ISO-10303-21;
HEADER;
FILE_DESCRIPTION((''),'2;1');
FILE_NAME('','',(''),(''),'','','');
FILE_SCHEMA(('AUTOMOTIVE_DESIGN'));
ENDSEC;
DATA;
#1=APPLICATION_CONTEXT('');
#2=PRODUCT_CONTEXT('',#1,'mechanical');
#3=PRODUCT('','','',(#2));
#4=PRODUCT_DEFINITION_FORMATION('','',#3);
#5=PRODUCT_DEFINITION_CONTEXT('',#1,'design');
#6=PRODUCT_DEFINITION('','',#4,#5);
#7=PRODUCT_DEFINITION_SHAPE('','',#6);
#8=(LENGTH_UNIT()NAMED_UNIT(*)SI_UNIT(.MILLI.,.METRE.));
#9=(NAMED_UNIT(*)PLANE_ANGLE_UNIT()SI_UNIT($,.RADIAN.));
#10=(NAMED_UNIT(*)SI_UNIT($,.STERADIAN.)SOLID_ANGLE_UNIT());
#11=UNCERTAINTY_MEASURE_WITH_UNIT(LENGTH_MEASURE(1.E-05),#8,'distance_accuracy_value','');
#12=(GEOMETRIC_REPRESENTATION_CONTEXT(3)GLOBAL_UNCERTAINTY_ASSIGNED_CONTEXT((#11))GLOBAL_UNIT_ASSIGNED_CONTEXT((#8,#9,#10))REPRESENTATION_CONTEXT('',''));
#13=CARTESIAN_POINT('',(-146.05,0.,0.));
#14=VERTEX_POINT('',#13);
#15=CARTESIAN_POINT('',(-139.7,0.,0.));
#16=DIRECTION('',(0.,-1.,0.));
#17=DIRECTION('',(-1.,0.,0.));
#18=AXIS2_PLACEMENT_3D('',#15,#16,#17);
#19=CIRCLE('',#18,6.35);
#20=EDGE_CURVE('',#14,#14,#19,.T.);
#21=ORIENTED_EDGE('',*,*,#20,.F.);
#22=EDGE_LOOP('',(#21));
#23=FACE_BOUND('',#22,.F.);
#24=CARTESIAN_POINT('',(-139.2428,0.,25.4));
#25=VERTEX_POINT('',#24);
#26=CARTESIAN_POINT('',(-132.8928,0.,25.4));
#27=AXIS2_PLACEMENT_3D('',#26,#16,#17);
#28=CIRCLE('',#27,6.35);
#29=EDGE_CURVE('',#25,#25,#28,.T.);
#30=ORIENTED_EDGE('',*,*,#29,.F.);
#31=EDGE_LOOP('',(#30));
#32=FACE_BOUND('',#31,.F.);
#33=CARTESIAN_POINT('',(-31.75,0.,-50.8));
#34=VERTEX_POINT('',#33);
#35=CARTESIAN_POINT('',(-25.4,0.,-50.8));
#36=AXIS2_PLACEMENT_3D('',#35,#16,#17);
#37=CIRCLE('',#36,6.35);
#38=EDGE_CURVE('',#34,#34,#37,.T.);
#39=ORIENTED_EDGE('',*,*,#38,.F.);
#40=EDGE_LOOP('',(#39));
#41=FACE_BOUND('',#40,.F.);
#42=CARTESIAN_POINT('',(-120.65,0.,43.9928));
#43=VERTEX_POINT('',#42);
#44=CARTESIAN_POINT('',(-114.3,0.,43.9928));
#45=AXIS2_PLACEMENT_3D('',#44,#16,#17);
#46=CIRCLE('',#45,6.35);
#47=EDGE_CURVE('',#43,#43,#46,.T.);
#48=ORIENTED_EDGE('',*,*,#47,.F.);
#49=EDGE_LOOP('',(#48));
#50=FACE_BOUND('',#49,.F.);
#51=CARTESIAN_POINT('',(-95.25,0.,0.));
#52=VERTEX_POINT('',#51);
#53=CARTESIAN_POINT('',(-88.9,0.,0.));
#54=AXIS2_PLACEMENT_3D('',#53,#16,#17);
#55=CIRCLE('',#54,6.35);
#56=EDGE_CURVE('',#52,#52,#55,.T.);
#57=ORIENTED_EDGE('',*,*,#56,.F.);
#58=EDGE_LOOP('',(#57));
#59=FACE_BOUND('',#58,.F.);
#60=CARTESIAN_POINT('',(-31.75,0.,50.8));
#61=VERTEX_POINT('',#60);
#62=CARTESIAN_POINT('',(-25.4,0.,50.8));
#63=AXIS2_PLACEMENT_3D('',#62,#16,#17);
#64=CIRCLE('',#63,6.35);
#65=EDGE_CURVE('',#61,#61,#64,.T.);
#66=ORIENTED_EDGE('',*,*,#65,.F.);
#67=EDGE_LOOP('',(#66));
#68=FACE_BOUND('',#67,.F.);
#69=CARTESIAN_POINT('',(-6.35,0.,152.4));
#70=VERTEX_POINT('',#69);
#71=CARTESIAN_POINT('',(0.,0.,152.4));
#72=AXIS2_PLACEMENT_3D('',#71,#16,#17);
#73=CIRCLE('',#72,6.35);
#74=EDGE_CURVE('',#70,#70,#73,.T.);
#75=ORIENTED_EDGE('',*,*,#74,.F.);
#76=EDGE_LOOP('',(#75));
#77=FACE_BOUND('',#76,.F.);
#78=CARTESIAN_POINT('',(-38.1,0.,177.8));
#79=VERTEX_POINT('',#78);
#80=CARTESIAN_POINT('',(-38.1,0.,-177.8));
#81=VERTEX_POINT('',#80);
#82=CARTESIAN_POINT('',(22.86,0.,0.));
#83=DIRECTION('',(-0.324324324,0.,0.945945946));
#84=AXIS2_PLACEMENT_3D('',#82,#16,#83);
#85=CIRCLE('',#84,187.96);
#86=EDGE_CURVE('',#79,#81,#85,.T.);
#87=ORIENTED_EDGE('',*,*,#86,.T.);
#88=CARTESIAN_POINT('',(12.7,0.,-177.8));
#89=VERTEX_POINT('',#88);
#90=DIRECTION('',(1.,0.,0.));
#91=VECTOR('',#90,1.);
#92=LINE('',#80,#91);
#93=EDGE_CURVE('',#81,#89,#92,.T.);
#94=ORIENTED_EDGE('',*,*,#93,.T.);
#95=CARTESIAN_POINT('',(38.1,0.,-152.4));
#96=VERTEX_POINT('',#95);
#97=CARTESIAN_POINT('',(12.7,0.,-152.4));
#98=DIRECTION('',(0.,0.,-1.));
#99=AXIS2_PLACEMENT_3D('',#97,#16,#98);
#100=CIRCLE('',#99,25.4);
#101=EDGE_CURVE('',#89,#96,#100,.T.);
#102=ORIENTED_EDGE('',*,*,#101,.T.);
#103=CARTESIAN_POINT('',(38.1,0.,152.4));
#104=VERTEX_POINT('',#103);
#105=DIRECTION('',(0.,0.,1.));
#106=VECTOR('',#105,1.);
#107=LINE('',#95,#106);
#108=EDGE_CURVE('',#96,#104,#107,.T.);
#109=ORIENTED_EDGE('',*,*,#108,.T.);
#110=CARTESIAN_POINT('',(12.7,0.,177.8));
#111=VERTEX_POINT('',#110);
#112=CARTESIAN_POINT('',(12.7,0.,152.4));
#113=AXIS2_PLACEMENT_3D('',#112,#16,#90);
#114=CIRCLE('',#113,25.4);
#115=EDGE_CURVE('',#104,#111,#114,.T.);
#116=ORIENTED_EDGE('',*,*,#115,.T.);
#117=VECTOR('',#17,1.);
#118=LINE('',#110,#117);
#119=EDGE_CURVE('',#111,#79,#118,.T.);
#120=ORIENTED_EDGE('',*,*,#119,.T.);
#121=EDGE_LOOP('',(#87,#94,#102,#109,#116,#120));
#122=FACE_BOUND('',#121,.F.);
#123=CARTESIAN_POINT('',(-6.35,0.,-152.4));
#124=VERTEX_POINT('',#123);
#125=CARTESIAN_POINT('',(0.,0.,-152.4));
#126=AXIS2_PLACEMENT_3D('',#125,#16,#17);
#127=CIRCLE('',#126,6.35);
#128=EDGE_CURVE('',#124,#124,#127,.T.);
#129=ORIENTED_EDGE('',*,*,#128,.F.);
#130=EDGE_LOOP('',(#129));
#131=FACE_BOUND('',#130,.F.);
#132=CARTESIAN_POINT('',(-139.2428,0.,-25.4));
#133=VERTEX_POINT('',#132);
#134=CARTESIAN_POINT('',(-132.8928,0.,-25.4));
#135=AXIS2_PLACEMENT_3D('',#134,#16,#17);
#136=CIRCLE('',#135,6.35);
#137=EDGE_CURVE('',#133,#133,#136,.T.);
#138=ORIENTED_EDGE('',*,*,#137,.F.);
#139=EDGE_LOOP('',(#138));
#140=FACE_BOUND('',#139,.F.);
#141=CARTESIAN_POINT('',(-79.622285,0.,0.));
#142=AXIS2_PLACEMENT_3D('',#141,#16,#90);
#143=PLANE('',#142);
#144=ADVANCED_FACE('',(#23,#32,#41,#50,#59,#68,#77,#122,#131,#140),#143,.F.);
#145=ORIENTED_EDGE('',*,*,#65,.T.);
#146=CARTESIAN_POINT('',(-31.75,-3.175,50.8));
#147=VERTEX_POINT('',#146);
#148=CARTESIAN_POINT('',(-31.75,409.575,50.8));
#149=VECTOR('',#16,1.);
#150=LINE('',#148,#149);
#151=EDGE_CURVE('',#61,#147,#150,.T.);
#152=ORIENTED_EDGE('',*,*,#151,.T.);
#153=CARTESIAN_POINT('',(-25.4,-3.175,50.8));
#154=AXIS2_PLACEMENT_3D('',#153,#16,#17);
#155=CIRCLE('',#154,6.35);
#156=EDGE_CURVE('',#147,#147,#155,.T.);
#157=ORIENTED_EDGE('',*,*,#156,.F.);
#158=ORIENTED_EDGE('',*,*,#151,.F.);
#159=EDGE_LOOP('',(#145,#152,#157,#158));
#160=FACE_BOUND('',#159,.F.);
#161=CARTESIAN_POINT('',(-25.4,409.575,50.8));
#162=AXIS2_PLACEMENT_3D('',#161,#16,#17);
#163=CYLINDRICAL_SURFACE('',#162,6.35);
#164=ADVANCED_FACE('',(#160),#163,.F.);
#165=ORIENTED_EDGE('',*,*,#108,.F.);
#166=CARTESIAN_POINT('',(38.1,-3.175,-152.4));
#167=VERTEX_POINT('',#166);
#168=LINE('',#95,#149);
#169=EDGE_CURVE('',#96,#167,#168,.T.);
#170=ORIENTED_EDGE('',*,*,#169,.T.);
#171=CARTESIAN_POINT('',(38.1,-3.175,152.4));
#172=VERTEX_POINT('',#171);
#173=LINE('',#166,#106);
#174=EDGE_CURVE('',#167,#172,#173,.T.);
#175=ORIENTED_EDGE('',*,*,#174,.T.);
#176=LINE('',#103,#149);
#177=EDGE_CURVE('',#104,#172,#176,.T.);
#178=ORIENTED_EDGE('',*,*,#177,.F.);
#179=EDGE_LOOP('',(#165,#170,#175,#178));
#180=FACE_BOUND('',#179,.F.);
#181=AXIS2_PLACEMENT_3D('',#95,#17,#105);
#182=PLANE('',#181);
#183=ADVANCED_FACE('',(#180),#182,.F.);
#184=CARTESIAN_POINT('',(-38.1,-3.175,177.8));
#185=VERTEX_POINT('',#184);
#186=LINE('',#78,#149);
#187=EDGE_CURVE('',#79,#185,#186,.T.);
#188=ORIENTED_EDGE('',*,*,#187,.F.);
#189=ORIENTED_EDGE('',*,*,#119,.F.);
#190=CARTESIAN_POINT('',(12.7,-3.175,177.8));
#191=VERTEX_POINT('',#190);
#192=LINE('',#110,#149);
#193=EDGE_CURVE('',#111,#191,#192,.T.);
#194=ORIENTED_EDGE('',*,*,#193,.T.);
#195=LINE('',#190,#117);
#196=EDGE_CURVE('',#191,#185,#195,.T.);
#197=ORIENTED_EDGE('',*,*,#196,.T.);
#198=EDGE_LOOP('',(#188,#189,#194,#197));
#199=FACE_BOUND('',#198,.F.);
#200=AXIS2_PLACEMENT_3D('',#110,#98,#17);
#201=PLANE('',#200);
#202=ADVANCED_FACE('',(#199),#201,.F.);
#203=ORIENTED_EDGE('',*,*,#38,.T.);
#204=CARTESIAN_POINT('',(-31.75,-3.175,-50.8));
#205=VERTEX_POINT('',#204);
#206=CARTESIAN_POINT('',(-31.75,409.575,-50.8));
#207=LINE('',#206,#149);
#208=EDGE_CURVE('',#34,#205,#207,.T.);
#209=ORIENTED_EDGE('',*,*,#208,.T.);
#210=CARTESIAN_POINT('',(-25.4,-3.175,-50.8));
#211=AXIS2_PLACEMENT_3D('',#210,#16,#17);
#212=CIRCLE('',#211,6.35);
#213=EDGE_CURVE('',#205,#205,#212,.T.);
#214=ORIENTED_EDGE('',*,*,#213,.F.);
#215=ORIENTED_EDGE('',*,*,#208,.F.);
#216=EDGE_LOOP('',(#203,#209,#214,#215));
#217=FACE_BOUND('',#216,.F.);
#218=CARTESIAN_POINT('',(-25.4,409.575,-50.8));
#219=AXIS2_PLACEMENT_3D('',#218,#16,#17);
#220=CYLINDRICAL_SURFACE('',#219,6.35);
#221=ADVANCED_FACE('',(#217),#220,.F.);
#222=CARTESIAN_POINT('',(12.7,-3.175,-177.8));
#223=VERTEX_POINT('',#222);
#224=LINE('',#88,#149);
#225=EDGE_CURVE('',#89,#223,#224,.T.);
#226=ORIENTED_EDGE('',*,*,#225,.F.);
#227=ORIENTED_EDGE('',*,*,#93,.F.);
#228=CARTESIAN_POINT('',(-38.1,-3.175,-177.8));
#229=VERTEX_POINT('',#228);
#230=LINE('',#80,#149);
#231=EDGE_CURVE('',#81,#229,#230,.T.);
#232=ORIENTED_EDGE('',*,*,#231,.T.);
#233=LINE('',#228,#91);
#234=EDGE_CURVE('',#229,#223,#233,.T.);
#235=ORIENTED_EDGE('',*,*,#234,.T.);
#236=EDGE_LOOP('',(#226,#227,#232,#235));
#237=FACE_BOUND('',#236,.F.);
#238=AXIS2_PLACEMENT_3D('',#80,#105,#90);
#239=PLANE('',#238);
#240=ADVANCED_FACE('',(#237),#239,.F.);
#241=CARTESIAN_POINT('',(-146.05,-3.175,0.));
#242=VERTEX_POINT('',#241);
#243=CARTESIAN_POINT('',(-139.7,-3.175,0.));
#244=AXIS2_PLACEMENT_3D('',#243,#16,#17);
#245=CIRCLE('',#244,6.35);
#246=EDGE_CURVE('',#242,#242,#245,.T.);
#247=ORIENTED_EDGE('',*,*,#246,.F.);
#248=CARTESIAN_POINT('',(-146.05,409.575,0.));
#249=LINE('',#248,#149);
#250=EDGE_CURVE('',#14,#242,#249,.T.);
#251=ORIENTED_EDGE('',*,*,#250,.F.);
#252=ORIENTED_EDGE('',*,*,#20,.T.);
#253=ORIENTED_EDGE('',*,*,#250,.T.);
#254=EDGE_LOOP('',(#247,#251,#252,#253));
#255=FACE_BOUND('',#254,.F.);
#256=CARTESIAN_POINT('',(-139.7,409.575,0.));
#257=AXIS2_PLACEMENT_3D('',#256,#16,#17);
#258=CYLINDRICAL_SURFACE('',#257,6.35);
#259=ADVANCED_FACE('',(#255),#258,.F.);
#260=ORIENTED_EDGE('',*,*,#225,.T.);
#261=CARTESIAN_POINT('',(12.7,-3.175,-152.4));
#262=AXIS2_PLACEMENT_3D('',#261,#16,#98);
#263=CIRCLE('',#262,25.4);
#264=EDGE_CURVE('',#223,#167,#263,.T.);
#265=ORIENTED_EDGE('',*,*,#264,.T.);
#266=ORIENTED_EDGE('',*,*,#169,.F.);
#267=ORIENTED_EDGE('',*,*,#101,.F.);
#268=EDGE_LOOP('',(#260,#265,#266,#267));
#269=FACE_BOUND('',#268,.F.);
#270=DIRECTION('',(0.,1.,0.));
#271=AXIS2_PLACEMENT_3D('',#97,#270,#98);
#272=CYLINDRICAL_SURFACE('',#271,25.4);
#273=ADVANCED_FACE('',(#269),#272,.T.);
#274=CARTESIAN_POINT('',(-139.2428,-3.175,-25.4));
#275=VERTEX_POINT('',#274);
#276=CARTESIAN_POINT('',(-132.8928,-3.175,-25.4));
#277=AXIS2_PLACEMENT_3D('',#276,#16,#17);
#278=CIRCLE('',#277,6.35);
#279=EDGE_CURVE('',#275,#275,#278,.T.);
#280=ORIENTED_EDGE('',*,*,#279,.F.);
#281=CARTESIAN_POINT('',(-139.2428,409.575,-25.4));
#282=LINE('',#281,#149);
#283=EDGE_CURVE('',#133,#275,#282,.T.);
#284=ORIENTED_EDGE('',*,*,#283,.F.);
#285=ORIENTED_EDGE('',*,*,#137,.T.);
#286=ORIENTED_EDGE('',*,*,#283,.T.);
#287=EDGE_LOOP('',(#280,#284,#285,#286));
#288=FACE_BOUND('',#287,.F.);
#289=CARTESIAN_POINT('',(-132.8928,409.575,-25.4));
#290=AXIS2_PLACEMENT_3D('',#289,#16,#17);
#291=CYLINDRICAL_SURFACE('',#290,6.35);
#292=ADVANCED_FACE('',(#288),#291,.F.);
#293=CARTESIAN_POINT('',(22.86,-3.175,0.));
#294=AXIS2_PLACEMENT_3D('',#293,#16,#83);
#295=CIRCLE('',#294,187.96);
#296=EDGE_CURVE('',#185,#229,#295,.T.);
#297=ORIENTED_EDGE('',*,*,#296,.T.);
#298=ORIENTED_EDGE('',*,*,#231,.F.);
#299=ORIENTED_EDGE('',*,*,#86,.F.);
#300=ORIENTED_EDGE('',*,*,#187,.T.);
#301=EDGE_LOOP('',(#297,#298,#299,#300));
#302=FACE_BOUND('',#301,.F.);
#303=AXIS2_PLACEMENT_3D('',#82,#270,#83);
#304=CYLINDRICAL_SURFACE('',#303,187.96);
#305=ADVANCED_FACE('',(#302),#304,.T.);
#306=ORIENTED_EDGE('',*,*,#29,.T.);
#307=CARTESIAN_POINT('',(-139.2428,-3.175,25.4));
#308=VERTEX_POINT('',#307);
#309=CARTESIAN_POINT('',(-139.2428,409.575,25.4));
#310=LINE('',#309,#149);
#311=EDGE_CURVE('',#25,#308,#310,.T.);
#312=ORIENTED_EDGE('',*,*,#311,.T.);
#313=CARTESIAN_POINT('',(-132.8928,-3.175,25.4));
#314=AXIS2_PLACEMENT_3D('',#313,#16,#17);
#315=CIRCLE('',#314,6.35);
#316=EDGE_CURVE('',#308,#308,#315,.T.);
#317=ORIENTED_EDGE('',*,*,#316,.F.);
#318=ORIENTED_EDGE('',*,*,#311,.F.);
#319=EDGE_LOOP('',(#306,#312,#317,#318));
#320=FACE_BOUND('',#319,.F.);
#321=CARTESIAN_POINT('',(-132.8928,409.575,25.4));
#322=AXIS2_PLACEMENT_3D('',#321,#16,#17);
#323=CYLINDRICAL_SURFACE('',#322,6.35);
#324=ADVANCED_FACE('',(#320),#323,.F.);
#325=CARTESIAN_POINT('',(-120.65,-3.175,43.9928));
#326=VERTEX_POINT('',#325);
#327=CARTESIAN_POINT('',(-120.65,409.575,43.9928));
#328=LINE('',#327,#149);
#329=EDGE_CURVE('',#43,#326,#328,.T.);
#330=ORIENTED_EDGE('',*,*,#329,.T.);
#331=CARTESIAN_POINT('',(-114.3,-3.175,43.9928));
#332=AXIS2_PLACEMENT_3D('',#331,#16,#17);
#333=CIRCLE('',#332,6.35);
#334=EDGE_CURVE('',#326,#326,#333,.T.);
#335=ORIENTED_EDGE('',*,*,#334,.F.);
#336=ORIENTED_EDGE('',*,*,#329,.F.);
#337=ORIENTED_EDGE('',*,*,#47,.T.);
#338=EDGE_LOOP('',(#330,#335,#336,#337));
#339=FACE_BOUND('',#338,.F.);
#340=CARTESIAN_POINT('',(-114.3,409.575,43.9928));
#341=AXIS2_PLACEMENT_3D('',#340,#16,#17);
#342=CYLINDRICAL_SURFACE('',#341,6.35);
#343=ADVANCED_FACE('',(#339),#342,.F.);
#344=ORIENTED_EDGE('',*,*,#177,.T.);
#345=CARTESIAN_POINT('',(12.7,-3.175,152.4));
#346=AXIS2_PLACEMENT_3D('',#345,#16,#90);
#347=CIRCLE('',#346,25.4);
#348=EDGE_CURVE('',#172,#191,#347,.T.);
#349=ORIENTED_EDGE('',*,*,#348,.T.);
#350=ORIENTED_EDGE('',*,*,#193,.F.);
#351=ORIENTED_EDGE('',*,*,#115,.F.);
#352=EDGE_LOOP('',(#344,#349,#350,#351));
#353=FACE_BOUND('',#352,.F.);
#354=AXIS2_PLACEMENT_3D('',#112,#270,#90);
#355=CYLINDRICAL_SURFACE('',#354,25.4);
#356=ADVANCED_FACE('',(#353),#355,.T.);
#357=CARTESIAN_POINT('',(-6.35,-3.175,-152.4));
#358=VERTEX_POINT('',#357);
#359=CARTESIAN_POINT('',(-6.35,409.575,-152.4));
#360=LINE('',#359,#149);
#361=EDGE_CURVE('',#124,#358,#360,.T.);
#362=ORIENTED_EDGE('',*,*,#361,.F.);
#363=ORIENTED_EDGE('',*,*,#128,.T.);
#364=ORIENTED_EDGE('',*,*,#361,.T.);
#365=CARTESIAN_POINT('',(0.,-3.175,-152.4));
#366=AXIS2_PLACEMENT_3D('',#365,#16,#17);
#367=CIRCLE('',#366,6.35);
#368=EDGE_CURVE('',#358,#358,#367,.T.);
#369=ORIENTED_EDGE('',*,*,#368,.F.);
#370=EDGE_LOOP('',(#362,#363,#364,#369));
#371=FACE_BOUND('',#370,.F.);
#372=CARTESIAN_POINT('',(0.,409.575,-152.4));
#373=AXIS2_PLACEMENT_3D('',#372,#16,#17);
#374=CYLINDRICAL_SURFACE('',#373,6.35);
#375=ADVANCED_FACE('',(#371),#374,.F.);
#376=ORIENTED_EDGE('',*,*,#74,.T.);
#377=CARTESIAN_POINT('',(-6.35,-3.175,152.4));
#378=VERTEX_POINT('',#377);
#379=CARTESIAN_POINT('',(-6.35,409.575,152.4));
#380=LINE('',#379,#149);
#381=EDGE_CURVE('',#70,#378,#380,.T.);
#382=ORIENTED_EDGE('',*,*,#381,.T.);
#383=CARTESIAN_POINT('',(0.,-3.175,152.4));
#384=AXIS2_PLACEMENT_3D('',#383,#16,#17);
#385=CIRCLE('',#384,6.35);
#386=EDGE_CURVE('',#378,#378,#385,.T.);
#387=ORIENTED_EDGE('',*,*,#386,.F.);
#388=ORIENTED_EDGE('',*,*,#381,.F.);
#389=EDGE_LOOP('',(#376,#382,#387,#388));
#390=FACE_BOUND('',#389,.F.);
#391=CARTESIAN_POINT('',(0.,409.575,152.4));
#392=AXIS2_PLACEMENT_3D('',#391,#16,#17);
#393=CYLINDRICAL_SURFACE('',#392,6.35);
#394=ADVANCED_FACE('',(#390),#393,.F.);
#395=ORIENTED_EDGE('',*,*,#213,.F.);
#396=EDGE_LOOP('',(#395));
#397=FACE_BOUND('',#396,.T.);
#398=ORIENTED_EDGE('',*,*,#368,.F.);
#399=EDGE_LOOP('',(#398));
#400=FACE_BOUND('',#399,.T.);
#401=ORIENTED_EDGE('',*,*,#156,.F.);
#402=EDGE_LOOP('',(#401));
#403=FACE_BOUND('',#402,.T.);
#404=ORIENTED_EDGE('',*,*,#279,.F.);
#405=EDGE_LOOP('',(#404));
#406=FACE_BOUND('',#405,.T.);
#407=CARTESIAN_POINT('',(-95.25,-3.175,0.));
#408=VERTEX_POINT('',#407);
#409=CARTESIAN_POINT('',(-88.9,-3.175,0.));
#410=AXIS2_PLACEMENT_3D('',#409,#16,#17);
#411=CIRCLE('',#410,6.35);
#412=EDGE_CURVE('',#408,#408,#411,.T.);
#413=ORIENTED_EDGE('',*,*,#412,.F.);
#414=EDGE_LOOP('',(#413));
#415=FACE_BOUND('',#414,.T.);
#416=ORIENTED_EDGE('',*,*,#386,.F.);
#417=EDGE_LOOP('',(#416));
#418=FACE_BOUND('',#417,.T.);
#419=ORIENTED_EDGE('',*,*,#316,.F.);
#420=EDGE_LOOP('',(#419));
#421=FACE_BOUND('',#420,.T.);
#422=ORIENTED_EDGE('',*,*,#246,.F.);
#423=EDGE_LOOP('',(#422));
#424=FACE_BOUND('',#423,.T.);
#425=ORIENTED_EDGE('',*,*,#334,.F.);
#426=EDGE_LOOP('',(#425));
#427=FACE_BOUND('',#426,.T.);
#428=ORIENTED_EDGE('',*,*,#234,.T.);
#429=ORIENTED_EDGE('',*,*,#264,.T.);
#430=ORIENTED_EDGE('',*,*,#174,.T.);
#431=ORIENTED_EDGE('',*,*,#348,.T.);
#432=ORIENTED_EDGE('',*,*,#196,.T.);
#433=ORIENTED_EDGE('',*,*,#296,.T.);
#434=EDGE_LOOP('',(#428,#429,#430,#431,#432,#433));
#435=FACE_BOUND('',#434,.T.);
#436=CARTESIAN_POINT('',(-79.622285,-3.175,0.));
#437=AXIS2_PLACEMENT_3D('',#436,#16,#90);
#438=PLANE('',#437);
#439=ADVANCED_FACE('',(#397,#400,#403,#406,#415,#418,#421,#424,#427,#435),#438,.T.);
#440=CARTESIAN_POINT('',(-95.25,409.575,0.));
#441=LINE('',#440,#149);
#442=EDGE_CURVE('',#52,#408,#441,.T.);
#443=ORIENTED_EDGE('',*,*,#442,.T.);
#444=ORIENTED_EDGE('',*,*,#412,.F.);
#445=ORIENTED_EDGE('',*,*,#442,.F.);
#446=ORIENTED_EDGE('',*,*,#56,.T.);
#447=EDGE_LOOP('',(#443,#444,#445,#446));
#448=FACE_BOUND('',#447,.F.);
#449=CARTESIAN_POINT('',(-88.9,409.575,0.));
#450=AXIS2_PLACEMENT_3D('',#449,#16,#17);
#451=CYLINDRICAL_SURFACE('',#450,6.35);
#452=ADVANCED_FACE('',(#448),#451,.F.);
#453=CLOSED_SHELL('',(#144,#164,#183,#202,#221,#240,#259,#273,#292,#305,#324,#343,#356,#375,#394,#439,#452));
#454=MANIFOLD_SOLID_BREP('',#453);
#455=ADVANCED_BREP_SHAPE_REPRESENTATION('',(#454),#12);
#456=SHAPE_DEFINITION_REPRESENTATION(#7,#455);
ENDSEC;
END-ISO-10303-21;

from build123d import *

# Parameters (mm, degrees)
F0_DEPTH = 3.175
F2_D     = 12.7


with BuildPart() as f0:
    # F1 (on Front) → F0 (new body)
    with BuildSketch(Plane.XZ):
        with BuildLine():
            ThreePointArc((-38.1, 177.8), (-165.1, 0), (-38.1, -177.8))
            Line((-38.1, -177.8), (-38.1, 177.8))
        make_face()
        with BuildLine():
            Line((-38.1, 177.8), (-38.1, -177.8))
            Line((-38.1, -177.8), (12.7, -177.8))
            ThreePointArc((12.7, -177.8), (30.6605122421, -170.3605122421), (38.1, -152.4))
            Line((38.1, -152.4), (38.1, 152.4))
            ThreePointArc((38.1, 152.4), (30.6605122421, 170.3605122421), (12.7, 177.8))
            Line((12.7, 177.8), (-38.1, 177.8))
        make_face()
    extrude(amount=F0_DEPTH)

    # F2 (through all)
    with Locations(Plane(origin=(0, 0, 0), x_dir=(1, 0, 0), z_dir=(0, 1, 0))):
        with Locations((-88.9, 0), (-139.7, 0), (0, 152.4), (0, -152.4), (-132.8928, 25.4), (-132.8928, -25.4), (-114.3, -43.9928), (-25.4, -50.8), (-25.4, 50.8)):
            Hole(F2_D / 2)


solid = f0.part
